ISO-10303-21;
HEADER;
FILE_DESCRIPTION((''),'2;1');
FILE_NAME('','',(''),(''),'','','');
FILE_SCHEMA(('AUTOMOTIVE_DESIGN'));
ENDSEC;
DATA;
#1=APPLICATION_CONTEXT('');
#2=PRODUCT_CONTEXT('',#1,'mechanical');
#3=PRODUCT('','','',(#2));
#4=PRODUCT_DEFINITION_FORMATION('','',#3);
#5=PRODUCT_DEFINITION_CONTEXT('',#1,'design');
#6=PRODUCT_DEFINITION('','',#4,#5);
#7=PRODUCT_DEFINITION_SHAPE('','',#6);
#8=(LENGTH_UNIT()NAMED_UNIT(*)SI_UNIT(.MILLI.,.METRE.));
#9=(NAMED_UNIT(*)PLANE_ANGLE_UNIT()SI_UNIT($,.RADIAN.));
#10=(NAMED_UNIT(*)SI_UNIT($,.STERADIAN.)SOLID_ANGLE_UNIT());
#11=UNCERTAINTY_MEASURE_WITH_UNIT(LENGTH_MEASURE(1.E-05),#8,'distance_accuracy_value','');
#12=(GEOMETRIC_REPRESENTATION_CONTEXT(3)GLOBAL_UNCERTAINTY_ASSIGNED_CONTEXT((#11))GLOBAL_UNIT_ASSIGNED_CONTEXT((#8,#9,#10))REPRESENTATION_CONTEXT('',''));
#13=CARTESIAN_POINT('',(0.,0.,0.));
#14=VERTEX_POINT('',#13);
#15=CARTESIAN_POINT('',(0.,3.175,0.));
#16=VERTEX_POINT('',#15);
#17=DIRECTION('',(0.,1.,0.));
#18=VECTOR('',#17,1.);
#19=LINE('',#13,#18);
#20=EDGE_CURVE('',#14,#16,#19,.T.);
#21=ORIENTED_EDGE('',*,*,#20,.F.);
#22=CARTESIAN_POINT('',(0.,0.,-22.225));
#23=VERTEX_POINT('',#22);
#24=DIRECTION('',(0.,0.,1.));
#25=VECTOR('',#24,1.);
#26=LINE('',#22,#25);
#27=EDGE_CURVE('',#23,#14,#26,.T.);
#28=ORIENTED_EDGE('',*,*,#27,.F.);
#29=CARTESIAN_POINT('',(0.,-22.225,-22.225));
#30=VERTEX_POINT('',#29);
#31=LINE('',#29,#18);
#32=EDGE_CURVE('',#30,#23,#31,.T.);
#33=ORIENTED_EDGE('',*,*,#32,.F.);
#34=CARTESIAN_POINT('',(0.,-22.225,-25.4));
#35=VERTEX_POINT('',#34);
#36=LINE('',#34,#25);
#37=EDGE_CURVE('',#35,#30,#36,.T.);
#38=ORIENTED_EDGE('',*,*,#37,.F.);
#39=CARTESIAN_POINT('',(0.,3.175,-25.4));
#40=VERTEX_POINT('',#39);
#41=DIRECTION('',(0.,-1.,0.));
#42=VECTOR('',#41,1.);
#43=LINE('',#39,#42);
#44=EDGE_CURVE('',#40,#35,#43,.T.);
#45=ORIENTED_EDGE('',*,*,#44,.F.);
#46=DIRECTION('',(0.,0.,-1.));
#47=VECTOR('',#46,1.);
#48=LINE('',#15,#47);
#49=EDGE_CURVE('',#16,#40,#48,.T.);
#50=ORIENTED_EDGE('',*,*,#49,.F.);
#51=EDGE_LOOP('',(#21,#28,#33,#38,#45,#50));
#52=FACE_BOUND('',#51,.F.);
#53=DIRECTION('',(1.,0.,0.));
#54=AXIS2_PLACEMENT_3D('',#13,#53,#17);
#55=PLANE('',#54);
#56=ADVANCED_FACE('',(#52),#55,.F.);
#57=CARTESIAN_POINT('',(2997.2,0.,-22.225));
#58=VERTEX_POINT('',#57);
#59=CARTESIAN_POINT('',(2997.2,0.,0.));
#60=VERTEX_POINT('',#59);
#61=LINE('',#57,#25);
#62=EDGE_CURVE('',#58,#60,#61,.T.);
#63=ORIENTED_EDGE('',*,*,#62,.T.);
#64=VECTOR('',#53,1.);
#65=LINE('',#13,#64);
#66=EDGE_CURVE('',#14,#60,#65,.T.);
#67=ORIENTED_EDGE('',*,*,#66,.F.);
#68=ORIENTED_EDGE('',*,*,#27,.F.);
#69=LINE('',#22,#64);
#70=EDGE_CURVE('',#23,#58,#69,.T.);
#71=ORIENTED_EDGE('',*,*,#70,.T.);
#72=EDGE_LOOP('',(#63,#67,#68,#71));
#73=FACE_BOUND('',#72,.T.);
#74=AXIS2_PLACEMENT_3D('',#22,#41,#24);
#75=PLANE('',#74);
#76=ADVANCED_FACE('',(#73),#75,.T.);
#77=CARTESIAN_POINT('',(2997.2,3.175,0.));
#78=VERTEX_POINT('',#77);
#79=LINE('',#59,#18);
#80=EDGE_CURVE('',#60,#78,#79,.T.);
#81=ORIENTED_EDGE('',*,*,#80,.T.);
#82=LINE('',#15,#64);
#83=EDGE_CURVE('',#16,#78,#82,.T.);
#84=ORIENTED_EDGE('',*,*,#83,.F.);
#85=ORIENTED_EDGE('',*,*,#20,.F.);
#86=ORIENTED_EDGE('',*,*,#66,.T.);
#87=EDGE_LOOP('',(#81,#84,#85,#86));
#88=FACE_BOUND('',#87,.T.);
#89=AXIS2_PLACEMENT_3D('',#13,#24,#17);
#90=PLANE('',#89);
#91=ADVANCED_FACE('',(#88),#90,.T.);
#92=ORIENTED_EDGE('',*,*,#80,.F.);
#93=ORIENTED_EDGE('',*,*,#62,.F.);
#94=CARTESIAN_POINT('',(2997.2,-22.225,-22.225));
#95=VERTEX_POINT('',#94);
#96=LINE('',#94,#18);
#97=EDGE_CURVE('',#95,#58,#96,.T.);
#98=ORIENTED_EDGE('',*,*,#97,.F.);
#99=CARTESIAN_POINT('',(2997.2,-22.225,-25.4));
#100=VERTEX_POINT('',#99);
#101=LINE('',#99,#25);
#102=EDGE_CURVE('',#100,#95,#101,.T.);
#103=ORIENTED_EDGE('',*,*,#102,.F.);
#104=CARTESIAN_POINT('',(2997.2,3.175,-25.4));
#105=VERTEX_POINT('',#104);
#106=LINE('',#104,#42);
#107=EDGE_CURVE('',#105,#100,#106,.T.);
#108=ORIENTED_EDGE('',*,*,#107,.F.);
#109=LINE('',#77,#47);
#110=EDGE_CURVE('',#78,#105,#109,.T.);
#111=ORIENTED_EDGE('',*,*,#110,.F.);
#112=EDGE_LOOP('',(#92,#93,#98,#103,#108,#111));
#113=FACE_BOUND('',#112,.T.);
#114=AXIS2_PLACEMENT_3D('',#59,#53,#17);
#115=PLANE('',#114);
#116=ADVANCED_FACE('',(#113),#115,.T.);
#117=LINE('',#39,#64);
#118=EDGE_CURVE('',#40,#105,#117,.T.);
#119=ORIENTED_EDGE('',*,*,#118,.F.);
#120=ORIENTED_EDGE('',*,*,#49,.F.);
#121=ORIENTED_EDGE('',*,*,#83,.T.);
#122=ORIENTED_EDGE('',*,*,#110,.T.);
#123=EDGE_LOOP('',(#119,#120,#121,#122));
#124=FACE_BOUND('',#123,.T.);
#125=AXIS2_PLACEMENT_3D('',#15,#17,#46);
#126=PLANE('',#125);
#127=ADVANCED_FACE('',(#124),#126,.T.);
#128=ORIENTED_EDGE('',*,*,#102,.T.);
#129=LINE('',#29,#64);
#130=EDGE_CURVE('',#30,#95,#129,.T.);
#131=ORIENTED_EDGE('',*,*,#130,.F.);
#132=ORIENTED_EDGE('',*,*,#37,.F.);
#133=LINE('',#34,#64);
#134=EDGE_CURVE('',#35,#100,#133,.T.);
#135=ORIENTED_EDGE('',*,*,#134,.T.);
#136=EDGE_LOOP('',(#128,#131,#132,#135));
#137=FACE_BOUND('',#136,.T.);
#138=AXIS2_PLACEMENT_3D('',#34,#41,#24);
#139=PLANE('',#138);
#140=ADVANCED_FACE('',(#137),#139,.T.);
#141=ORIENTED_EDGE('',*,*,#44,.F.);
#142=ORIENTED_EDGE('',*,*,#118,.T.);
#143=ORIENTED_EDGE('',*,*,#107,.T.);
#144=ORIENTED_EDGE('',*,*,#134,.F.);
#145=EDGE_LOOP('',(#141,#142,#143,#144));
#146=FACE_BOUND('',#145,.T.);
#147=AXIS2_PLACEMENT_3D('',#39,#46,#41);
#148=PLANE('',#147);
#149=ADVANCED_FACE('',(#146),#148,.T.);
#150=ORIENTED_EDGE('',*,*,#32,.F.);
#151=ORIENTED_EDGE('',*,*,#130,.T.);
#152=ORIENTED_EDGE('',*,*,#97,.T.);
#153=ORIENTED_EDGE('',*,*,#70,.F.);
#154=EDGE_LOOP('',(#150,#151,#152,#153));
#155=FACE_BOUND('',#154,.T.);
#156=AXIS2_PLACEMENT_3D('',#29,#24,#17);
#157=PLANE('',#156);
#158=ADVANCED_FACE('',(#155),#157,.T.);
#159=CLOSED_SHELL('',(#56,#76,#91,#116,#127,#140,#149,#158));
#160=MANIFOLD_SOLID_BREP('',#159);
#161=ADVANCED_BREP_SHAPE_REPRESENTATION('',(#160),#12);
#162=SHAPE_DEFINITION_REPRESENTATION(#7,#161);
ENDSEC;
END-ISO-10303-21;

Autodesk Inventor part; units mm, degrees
ref_plane "YZ Plane" through (0, 0, 0) normal (1, 0, 0) x (0, 1, 0)
ref_plane "XZ Plane" through (0, 0, 0) normal (0, 1, 0) x (-1, 0, 0)
ref_plane "XY Plane" through (0, 0, 0) normal (0, 0, 1) x (1, 0, 0)
sketch "Sketch1" plane through (0, 0, 0) normal (1, 0, 0) x (0, 1, 0)
  line L0 (0, 0) -> (3.175, 0)
  line L1 (3.175, 0) -> (3.175, -25.4)
  line L2 (3.175, -25.4) -> (-22.225, -25.4)
  line L3 (-22.225, -25.4) -> (-22.225, -22.225)
  line L4 (-22.225, -22.225) -> (0, -22.225)
  line L5 (0, -22.225) -> (0, 0)
  dimension "d0" = 3.175
  dimension "d1" = 3.175
  dimension "d2" = 25.4
  dimension "d3" = 25.4
extrude "Extrusion1" add sketch "Sketch1" along normal blind 2997.2
equation "\"wallThick\" = 44.45"
equation "\"roomWidth\" = 3048"
equation "\"roomDepth\" = 3657.6"
equation "\"roomHeight\" = 2438.4"
equation "\"doorWidth\" = 895.35"
equation "\"doorHeight\" = 2108.2"
equation "\"doorX\" = 774.7"
equation "\"doorY\" = 88.9"
equation "\"doorLip\" = 76.2"
equation "\"doorThick\" = 57.15"
equation "\"tubeD\" = 19.05"
equation "\"tubeTurnR\" = 76.2"
properties part number "gusset_plate_leftRight"
